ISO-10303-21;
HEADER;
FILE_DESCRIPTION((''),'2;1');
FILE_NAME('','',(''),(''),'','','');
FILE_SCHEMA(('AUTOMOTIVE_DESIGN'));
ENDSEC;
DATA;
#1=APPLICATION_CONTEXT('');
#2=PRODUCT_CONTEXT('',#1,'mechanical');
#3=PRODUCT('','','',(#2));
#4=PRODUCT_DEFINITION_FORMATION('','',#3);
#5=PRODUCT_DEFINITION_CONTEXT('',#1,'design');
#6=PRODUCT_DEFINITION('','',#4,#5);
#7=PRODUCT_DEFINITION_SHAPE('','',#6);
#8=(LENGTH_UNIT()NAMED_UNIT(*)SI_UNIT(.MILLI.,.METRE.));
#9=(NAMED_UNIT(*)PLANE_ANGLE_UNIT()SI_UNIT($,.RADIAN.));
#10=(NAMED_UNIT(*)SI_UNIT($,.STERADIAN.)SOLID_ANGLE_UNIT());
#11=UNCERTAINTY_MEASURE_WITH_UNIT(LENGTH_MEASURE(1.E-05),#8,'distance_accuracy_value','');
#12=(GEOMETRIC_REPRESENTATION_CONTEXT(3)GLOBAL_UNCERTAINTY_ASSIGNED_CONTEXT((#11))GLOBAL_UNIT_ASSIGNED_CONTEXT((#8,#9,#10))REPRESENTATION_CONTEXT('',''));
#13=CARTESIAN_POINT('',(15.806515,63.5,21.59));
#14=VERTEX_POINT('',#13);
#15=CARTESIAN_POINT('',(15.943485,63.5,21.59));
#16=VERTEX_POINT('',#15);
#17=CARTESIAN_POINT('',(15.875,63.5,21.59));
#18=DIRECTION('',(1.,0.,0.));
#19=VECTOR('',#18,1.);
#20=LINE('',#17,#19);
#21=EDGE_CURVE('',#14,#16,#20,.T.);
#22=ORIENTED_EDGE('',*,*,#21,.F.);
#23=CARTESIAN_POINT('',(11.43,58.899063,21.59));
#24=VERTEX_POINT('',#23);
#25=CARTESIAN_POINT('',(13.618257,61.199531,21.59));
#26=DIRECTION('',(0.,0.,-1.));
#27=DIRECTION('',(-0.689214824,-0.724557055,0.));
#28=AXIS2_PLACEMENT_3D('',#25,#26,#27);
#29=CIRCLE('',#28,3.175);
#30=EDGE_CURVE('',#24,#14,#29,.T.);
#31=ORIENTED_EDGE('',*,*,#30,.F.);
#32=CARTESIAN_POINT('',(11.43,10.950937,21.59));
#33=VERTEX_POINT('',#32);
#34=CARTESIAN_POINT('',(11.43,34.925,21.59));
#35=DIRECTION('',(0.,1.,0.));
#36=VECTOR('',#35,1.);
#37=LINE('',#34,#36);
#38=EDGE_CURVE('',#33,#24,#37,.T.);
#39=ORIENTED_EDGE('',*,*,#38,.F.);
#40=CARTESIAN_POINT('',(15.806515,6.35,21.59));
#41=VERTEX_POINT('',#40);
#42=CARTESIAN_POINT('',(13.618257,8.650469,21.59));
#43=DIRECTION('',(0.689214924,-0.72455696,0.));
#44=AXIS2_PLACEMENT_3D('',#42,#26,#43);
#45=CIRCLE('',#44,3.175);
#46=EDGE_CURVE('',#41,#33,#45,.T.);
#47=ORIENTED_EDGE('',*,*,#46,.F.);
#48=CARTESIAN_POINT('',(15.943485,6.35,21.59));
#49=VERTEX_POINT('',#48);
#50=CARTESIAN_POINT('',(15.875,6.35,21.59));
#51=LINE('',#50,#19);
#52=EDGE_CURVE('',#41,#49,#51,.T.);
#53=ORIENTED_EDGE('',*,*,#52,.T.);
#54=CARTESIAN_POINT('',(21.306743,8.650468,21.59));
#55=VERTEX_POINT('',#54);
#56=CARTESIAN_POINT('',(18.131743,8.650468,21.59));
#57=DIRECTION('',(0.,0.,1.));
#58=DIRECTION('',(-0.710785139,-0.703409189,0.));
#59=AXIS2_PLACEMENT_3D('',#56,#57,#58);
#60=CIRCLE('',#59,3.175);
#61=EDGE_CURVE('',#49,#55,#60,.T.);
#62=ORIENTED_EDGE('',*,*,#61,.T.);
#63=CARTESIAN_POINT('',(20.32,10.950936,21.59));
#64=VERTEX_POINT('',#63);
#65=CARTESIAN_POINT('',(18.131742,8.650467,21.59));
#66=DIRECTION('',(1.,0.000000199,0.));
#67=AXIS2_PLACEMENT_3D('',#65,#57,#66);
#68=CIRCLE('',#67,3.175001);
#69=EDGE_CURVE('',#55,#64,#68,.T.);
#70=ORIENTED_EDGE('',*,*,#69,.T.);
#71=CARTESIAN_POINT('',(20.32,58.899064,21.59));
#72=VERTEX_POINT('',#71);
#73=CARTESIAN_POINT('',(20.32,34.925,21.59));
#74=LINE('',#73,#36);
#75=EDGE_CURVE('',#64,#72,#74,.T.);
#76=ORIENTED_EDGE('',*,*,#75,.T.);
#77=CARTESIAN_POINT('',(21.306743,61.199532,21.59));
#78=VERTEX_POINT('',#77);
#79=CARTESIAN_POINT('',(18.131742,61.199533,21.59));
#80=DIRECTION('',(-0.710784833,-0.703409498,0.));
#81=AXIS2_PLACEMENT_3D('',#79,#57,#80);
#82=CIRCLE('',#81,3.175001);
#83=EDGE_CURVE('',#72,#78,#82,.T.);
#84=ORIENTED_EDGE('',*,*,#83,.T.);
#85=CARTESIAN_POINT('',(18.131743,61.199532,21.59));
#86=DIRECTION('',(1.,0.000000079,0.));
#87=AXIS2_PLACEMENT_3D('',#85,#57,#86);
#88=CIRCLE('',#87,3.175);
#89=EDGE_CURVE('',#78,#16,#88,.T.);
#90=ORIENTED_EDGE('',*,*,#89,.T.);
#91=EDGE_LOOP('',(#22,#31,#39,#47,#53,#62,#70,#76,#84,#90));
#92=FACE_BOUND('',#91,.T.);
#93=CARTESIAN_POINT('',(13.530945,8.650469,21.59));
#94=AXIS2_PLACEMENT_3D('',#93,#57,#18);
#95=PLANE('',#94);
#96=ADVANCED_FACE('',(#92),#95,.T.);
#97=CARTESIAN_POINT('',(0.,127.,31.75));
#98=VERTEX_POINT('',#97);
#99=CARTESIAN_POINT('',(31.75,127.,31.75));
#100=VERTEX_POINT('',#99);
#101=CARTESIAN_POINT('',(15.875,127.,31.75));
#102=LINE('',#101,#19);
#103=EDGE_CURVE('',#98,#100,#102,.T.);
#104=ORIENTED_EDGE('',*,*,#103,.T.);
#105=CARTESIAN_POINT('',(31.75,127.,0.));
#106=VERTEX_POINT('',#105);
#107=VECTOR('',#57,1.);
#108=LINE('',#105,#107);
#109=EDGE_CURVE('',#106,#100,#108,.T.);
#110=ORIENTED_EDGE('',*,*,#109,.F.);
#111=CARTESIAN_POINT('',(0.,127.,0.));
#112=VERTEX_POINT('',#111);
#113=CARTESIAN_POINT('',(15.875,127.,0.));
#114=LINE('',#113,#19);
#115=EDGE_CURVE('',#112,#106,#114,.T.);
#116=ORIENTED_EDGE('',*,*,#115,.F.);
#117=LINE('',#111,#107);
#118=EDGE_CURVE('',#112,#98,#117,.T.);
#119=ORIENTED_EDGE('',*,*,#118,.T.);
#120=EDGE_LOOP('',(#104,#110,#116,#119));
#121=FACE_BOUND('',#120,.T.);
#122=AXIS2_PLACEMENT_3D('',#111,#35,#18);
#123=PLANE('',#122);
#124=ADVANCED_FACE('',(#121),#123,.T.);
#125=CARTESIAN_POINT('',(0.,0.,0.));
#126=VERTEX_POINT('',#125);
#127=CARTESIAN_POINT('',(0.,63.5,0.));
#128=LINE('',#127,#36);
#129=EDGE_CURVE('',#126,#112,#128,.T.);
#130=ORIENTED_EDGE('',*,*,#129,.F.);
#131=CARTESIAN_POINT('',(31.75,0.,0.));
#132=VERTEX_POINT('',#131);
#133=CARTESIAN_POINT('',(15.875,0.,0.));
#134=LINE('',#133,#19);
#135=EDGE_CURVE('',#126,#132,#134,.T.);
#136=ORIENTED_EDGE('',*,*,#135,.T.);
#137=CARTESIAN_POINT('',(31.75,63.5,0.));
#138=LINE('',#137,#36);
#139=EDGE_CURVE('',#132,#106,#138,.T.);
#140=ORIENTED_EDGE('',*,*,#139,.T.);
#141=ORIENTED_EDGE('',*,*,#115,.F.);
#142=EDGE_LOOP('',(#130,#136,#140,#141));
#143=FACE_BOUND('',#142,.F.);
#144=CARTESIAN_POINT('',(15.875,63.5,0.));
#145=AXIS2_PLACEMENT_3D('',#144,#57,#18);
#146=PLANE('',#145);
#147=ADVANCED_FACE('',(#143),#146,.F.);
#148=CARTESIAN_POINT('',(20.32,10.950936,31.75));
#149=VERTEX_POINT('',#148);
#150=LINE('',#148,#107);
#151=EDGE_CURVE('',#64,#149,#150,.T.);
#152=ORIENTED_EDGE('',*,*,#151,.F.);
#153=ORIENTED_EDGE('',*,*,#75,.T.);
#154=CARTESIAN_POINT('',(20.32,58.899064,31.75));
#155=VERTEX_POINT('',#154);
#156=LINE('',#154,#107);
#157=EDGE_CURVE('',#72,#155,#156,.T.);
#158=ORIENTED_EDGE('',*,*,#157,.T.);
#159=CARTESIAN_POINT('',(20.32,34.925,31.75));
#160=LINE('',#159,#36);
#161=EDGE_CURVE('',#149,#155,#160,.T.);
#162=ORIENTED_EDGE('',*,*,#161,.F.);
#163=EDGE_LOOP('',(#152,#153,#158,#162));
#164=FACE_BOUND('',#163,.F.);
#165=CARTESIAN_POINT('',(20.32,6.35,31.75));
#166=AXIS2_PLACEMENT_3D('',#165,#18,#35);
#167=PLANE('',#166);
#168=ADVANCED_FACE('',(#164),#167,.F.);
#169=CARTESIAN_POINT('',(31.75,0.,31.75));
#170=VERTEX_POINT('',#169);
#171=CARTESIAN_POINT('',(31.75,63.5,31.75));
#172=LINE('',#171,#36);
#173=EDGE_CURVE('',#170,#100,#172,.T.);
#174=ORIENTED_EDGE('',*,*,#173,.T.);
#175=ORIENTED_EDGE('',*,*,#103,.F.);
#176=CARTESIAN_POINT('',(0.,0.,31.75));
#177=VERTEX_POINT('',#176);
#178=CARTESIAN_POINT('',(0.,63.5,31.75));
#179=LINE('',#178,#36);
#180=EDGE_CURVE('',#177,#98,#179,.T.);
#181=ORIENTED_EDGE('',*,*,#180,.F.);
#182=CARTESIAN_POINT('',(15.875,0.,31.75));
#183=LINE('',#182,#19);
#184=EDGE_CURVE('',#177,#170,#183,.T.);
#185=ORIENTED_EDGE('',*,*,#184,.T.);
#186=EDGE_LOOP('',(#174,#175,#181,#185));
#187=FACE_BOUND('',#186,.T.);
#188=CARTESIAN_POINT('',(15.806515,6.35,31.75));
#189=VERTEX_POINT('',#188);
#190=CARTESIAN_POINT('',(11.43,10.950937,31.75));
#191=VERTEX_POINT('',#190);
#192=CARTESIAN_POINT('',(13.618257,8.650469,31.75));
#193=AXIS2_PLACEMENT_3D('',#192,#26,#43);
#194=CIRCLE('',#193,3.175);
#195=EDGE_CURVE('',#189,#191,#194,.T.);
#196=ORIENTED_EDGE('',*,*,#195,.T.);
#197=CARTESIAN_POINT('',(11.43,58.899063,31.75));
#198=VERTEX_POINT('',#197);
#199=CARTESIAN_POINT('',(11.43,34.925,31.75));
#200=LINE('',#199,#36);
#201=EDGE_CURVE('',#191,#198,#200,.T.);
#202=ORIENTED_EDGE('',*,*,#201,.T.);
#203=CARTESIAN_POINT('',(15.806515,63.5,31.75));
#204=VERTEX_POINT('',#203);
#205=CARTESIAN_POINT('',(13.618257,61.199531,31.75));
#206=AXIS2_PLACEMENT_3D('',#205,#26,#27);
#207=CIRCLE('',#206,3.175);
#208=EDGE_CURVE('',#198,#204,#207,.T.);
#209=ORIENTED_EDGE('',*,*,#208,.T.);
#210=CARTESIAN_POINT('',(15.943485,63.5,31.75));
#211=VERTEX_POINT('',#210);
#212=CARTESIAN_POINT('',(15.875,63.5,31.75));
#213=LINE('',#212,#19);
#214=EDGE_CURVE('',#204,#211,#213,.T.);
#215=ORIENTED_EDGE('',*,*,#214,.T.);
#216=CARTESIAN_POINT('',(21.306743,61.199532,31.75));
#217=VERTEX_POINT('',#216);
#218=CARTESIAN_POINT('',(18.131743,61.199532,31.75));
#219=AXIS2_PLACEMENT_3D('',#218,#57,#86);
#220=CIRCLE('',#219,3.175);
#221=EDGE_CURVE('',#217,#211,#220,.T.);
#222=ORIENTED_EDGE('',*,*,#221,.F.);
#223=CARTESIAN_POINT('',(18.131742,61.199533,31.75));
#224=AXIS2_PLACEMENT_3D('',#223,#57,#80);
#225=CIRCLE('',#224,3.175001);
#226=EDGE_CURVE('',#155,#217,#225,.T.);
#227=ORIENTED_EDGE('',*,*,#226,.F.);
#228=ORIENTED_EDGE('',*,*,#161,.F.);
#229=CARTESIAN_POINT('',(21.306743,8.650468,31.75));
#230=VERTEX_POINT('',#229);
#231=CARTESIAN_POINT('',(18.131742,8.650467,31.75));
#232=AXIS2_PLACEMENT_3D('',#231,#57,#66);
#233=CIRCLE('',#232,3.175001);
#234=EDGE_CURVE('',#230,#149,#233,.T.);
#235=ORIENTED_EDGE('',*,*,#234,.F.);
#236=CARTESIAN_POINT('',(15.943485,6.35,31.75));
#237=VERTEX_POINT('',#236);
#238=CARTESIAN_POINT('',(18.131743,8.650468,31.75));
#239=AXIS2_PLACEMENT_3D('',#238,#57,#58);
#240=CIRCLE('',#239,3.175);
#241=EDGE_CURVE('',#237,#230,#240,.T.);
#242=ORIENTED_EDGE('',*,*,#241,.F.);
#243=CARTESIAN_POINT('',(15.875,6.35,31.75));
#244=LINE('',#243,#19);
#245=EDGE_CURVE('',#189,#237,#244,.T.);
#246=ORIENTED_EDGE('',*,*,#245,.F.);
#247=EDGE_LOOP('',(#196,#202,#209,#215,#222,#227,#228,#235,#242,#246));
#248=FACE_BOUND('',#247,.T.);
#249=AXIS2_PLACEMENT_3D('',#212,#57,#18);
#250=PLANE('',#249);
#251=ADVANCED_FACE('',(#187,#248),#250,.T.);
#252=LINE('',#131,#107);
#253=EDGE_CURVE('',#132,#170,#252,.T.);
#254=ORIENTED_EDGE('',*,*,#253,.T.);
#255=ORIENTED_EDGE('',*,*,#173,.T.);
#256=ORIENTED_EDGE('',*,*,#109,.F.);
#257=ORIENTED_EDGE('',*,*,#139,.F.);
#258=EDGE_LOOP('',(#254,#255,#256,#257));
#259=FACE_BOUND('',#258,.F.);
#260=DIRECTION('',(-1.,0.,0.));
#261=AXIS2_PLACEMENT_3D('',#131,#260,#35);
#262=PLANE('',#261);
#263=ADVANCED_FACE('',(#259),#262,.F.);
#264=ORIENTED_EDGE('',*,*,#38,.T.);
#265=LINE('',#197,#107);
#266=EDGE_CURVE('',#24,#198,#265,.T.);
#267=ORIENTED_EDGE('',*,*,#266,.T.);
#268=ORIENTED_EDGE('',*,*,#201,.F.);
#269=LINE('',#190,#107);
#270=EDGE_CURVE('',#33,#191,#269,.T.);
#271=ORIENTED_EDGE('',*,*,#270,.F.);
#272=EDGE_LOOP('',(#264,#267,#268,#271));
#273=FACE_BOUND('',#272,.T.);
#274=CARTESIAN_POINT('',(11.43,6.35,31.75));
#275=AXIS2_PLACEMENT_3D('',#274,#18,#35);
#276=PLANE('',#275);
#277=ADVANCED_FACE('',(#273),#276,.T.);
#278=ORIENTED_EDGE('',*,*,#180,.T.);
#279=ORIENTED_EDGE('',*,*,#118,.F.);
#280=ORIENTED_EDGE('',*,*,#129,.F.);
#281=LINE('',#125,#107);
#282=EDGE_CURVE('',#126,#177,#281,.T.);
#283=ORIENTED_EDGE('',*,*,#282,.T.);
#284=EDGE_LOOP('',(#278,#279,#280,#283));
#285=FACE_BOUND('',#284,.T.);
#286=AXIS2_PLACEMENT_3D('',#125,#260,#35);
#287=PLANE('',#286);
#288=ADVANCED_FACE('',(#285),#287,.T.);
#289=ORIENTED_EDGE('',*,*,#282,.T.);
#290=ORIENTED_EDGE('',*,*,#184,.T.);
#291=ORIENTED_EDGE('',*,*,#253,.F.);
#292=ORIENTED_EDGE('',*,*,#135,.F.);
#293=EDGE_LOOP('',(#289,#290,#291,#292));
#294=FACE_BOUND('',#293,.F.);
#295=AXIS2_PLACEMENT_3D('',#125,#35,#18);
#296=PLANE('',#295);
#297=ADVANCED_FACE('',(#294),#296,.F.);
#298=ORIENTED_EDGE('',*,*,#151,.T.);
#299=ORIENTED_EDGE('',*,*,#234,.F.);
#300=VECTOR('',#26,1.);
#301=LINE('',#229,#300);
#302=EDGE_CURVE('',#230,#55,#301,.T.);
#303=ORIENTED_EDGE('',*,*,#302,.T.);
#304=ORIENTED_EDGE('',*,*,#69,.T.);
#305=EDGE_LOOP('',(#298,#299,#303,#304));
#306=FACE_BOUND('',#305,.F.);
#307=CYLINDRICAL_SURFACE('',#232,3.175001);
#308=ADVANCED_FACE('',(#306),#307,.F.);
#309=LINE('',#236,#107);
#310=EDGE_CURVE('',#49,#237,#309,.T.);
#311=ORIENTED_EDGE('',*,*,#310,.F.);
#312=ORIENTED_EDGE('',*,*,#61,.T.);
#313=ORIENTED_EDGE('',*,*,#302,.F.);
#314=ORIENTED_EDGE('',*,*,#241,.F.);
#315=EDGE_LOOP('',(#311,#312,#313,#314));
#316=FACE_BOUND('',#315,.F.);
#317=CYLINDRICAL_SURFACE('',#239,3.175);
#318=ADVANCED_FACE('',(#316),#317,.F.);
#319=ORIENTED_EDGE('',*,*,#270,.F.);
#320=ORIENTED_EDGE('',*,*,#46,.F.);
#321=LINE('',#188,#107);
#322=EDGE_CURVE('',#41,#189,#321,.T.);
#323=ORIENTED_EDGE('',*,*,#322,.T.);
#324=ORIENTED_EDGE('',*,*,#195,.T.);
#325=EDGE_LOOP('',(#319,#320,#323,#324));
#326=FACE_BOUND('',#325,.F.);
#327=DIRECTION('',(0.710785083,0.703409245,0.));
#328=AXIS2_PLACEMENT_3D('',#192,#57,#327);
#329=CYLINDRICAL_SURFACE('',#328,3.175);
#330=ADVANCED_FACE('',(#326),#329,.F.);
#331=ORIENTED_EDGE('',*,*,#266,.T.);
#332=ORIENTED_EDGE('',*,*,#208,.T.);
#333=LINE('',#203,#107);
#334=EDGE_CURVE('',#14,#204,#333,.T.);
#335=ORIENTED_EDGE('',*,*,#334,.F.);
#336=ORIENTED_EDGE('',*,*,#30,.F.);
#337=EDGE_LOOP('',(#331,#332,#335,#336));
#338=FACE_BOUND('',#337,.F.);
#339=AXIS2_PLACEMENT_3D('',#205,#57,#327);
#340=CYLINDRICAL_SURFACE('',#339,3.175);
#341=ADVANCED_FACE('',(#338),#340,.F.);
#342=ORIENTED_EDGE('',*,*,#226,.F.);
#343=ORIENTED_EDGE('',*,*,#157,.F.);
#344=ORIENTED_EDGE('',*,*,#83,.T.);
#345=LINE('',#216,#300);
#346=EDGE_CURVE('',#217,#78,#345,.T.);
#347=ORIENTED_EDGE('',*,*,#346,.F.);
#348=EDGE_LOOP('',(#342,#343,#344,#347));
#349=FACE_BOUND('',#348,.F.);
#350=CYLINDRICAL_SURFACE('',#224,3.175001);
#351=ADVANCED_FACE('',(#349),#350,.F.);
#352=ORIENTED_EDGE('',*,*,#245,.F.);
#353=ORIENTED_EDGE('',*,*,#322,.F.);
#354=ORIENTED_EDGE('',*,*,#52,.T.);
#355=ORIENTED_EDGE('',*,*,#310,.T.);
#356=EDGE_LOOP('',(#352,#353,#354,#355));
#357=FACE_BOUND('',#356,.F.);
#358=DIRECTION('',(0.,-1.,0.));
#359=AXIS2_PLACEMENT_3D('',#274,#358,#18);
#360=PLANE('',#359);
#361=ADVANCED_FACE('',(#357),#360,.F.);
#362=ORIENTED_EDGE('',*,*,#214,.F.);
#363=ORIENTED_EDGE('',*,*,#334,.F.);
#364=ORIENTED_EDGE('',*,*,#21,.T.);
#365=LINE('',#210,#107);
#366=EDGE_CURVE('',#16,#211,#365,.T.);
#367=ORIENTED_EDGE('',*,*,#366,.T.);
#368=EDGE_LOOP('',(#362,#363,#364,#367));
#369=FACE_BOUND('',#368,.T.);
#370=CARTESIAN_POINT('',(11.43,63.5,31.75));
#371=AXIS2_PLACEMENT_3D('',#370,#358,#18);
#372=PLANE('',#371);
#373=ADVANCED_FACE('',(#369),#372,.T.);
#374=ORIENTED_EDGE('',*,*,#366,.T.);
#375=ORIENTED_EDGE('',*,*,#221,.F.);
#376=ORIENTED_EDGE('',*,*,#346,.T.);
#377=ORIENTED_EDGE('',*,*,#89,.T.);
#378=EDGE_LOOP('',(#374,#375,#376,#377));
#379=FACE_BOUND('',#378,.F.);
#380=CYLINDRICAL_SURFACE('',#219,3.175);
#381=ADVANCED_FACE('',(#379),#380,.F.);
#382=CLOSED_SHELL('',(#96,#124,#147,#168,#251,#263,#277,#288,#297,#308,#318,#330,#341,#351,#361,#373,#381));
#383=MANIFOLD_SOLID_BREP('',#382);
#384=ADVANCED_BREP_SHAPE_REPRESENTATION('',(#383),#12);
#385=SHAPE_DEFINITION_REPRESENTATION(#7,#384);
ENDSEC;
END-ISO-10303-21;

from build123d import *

# Parameters (mm, degrees)
F0_W     = 31.75
F0_H     = 127
F1_DEPTH = 31.75
F2_W     = 8.89
F2_H     = 57.15
F3_DEPTH = 10.16
F5_DEPTH = 10.16


with BuildPart() as f1:
    # F0 (on Top) → F1 (new body)
    with BuildSketch(Plane.XY):
        with Locations((15.875, 63.5)):
            Rectangle(F0_W, F0_H)
    extrude(amount=F1_DEPTH)

    # F2 (on face) → F3 (cut)
    with BuildSketch(Plane.XY.offset(31.75)):
        with Locations((15.875, 34.925)):
            Rectangle(F2_W, F2_H)
    extrude(amount=-F3_DEPTH, mode=Mode.SUBTRACT)

    # F4 (on face) → F5 (cut, through all)
    with BuildSketch(Plane.XY.offset(31.75)):
        with BuildLine():
            ThreePointArc((15.875, 58.966207), (19.339109, 58.263056), (21.306743, 61.199532))
            ThreePointArc((21.306743, 61.199532), (19.339109, 64.136008), (15.875, 63.432856))
            ThreePointArc((15.875, 63.432856), (16.554733, 62.406898), (16.793257, 61.199532))
            ThreePointArc((16.793257, 61.199532), (16.554733, 59.992165), (15.875, 58.966207))
        make_face()
        with BuildLine():
            ThreePointArc((15.875, 58.966207), (14.956743, 61.199532), (15.875, 63.432856))
            ThreePointArc((15.875, 63.432856), (10.443257, 61.199532), (15.875, 58.966207))
        make_face()
        with BuildLine():
            ThreePointArc((15.875, 6.417144), (19.339109, 5.713992), (21.306743, 8.650468))
            ThreePointArc((21.306743, 8.650468), (19.339109, 11.586944), (15.875, 10.883793))
            ThreePointArc((15.875, 10.883793), (16.554733, 9.857835), (16.793257, 8.650468))
            ThreePointArc((16.793257, 8.650468), (16.554733, 7.443102), (15.875, 6.417144))
        make_face()
        with BuildLine():
            ThreePointArc((15.875, 6.417144), (14.956743, 8.650468), (15.875, 10.883793))
            ThreePointArc((15.875, 10.883793), (10.443257, 8.650468), (15.875, 6.417144))
        make_face()
    extrude(amount=-F5_DEPTH, mode=Mode.SUBTRACT)


solid = f1.part
